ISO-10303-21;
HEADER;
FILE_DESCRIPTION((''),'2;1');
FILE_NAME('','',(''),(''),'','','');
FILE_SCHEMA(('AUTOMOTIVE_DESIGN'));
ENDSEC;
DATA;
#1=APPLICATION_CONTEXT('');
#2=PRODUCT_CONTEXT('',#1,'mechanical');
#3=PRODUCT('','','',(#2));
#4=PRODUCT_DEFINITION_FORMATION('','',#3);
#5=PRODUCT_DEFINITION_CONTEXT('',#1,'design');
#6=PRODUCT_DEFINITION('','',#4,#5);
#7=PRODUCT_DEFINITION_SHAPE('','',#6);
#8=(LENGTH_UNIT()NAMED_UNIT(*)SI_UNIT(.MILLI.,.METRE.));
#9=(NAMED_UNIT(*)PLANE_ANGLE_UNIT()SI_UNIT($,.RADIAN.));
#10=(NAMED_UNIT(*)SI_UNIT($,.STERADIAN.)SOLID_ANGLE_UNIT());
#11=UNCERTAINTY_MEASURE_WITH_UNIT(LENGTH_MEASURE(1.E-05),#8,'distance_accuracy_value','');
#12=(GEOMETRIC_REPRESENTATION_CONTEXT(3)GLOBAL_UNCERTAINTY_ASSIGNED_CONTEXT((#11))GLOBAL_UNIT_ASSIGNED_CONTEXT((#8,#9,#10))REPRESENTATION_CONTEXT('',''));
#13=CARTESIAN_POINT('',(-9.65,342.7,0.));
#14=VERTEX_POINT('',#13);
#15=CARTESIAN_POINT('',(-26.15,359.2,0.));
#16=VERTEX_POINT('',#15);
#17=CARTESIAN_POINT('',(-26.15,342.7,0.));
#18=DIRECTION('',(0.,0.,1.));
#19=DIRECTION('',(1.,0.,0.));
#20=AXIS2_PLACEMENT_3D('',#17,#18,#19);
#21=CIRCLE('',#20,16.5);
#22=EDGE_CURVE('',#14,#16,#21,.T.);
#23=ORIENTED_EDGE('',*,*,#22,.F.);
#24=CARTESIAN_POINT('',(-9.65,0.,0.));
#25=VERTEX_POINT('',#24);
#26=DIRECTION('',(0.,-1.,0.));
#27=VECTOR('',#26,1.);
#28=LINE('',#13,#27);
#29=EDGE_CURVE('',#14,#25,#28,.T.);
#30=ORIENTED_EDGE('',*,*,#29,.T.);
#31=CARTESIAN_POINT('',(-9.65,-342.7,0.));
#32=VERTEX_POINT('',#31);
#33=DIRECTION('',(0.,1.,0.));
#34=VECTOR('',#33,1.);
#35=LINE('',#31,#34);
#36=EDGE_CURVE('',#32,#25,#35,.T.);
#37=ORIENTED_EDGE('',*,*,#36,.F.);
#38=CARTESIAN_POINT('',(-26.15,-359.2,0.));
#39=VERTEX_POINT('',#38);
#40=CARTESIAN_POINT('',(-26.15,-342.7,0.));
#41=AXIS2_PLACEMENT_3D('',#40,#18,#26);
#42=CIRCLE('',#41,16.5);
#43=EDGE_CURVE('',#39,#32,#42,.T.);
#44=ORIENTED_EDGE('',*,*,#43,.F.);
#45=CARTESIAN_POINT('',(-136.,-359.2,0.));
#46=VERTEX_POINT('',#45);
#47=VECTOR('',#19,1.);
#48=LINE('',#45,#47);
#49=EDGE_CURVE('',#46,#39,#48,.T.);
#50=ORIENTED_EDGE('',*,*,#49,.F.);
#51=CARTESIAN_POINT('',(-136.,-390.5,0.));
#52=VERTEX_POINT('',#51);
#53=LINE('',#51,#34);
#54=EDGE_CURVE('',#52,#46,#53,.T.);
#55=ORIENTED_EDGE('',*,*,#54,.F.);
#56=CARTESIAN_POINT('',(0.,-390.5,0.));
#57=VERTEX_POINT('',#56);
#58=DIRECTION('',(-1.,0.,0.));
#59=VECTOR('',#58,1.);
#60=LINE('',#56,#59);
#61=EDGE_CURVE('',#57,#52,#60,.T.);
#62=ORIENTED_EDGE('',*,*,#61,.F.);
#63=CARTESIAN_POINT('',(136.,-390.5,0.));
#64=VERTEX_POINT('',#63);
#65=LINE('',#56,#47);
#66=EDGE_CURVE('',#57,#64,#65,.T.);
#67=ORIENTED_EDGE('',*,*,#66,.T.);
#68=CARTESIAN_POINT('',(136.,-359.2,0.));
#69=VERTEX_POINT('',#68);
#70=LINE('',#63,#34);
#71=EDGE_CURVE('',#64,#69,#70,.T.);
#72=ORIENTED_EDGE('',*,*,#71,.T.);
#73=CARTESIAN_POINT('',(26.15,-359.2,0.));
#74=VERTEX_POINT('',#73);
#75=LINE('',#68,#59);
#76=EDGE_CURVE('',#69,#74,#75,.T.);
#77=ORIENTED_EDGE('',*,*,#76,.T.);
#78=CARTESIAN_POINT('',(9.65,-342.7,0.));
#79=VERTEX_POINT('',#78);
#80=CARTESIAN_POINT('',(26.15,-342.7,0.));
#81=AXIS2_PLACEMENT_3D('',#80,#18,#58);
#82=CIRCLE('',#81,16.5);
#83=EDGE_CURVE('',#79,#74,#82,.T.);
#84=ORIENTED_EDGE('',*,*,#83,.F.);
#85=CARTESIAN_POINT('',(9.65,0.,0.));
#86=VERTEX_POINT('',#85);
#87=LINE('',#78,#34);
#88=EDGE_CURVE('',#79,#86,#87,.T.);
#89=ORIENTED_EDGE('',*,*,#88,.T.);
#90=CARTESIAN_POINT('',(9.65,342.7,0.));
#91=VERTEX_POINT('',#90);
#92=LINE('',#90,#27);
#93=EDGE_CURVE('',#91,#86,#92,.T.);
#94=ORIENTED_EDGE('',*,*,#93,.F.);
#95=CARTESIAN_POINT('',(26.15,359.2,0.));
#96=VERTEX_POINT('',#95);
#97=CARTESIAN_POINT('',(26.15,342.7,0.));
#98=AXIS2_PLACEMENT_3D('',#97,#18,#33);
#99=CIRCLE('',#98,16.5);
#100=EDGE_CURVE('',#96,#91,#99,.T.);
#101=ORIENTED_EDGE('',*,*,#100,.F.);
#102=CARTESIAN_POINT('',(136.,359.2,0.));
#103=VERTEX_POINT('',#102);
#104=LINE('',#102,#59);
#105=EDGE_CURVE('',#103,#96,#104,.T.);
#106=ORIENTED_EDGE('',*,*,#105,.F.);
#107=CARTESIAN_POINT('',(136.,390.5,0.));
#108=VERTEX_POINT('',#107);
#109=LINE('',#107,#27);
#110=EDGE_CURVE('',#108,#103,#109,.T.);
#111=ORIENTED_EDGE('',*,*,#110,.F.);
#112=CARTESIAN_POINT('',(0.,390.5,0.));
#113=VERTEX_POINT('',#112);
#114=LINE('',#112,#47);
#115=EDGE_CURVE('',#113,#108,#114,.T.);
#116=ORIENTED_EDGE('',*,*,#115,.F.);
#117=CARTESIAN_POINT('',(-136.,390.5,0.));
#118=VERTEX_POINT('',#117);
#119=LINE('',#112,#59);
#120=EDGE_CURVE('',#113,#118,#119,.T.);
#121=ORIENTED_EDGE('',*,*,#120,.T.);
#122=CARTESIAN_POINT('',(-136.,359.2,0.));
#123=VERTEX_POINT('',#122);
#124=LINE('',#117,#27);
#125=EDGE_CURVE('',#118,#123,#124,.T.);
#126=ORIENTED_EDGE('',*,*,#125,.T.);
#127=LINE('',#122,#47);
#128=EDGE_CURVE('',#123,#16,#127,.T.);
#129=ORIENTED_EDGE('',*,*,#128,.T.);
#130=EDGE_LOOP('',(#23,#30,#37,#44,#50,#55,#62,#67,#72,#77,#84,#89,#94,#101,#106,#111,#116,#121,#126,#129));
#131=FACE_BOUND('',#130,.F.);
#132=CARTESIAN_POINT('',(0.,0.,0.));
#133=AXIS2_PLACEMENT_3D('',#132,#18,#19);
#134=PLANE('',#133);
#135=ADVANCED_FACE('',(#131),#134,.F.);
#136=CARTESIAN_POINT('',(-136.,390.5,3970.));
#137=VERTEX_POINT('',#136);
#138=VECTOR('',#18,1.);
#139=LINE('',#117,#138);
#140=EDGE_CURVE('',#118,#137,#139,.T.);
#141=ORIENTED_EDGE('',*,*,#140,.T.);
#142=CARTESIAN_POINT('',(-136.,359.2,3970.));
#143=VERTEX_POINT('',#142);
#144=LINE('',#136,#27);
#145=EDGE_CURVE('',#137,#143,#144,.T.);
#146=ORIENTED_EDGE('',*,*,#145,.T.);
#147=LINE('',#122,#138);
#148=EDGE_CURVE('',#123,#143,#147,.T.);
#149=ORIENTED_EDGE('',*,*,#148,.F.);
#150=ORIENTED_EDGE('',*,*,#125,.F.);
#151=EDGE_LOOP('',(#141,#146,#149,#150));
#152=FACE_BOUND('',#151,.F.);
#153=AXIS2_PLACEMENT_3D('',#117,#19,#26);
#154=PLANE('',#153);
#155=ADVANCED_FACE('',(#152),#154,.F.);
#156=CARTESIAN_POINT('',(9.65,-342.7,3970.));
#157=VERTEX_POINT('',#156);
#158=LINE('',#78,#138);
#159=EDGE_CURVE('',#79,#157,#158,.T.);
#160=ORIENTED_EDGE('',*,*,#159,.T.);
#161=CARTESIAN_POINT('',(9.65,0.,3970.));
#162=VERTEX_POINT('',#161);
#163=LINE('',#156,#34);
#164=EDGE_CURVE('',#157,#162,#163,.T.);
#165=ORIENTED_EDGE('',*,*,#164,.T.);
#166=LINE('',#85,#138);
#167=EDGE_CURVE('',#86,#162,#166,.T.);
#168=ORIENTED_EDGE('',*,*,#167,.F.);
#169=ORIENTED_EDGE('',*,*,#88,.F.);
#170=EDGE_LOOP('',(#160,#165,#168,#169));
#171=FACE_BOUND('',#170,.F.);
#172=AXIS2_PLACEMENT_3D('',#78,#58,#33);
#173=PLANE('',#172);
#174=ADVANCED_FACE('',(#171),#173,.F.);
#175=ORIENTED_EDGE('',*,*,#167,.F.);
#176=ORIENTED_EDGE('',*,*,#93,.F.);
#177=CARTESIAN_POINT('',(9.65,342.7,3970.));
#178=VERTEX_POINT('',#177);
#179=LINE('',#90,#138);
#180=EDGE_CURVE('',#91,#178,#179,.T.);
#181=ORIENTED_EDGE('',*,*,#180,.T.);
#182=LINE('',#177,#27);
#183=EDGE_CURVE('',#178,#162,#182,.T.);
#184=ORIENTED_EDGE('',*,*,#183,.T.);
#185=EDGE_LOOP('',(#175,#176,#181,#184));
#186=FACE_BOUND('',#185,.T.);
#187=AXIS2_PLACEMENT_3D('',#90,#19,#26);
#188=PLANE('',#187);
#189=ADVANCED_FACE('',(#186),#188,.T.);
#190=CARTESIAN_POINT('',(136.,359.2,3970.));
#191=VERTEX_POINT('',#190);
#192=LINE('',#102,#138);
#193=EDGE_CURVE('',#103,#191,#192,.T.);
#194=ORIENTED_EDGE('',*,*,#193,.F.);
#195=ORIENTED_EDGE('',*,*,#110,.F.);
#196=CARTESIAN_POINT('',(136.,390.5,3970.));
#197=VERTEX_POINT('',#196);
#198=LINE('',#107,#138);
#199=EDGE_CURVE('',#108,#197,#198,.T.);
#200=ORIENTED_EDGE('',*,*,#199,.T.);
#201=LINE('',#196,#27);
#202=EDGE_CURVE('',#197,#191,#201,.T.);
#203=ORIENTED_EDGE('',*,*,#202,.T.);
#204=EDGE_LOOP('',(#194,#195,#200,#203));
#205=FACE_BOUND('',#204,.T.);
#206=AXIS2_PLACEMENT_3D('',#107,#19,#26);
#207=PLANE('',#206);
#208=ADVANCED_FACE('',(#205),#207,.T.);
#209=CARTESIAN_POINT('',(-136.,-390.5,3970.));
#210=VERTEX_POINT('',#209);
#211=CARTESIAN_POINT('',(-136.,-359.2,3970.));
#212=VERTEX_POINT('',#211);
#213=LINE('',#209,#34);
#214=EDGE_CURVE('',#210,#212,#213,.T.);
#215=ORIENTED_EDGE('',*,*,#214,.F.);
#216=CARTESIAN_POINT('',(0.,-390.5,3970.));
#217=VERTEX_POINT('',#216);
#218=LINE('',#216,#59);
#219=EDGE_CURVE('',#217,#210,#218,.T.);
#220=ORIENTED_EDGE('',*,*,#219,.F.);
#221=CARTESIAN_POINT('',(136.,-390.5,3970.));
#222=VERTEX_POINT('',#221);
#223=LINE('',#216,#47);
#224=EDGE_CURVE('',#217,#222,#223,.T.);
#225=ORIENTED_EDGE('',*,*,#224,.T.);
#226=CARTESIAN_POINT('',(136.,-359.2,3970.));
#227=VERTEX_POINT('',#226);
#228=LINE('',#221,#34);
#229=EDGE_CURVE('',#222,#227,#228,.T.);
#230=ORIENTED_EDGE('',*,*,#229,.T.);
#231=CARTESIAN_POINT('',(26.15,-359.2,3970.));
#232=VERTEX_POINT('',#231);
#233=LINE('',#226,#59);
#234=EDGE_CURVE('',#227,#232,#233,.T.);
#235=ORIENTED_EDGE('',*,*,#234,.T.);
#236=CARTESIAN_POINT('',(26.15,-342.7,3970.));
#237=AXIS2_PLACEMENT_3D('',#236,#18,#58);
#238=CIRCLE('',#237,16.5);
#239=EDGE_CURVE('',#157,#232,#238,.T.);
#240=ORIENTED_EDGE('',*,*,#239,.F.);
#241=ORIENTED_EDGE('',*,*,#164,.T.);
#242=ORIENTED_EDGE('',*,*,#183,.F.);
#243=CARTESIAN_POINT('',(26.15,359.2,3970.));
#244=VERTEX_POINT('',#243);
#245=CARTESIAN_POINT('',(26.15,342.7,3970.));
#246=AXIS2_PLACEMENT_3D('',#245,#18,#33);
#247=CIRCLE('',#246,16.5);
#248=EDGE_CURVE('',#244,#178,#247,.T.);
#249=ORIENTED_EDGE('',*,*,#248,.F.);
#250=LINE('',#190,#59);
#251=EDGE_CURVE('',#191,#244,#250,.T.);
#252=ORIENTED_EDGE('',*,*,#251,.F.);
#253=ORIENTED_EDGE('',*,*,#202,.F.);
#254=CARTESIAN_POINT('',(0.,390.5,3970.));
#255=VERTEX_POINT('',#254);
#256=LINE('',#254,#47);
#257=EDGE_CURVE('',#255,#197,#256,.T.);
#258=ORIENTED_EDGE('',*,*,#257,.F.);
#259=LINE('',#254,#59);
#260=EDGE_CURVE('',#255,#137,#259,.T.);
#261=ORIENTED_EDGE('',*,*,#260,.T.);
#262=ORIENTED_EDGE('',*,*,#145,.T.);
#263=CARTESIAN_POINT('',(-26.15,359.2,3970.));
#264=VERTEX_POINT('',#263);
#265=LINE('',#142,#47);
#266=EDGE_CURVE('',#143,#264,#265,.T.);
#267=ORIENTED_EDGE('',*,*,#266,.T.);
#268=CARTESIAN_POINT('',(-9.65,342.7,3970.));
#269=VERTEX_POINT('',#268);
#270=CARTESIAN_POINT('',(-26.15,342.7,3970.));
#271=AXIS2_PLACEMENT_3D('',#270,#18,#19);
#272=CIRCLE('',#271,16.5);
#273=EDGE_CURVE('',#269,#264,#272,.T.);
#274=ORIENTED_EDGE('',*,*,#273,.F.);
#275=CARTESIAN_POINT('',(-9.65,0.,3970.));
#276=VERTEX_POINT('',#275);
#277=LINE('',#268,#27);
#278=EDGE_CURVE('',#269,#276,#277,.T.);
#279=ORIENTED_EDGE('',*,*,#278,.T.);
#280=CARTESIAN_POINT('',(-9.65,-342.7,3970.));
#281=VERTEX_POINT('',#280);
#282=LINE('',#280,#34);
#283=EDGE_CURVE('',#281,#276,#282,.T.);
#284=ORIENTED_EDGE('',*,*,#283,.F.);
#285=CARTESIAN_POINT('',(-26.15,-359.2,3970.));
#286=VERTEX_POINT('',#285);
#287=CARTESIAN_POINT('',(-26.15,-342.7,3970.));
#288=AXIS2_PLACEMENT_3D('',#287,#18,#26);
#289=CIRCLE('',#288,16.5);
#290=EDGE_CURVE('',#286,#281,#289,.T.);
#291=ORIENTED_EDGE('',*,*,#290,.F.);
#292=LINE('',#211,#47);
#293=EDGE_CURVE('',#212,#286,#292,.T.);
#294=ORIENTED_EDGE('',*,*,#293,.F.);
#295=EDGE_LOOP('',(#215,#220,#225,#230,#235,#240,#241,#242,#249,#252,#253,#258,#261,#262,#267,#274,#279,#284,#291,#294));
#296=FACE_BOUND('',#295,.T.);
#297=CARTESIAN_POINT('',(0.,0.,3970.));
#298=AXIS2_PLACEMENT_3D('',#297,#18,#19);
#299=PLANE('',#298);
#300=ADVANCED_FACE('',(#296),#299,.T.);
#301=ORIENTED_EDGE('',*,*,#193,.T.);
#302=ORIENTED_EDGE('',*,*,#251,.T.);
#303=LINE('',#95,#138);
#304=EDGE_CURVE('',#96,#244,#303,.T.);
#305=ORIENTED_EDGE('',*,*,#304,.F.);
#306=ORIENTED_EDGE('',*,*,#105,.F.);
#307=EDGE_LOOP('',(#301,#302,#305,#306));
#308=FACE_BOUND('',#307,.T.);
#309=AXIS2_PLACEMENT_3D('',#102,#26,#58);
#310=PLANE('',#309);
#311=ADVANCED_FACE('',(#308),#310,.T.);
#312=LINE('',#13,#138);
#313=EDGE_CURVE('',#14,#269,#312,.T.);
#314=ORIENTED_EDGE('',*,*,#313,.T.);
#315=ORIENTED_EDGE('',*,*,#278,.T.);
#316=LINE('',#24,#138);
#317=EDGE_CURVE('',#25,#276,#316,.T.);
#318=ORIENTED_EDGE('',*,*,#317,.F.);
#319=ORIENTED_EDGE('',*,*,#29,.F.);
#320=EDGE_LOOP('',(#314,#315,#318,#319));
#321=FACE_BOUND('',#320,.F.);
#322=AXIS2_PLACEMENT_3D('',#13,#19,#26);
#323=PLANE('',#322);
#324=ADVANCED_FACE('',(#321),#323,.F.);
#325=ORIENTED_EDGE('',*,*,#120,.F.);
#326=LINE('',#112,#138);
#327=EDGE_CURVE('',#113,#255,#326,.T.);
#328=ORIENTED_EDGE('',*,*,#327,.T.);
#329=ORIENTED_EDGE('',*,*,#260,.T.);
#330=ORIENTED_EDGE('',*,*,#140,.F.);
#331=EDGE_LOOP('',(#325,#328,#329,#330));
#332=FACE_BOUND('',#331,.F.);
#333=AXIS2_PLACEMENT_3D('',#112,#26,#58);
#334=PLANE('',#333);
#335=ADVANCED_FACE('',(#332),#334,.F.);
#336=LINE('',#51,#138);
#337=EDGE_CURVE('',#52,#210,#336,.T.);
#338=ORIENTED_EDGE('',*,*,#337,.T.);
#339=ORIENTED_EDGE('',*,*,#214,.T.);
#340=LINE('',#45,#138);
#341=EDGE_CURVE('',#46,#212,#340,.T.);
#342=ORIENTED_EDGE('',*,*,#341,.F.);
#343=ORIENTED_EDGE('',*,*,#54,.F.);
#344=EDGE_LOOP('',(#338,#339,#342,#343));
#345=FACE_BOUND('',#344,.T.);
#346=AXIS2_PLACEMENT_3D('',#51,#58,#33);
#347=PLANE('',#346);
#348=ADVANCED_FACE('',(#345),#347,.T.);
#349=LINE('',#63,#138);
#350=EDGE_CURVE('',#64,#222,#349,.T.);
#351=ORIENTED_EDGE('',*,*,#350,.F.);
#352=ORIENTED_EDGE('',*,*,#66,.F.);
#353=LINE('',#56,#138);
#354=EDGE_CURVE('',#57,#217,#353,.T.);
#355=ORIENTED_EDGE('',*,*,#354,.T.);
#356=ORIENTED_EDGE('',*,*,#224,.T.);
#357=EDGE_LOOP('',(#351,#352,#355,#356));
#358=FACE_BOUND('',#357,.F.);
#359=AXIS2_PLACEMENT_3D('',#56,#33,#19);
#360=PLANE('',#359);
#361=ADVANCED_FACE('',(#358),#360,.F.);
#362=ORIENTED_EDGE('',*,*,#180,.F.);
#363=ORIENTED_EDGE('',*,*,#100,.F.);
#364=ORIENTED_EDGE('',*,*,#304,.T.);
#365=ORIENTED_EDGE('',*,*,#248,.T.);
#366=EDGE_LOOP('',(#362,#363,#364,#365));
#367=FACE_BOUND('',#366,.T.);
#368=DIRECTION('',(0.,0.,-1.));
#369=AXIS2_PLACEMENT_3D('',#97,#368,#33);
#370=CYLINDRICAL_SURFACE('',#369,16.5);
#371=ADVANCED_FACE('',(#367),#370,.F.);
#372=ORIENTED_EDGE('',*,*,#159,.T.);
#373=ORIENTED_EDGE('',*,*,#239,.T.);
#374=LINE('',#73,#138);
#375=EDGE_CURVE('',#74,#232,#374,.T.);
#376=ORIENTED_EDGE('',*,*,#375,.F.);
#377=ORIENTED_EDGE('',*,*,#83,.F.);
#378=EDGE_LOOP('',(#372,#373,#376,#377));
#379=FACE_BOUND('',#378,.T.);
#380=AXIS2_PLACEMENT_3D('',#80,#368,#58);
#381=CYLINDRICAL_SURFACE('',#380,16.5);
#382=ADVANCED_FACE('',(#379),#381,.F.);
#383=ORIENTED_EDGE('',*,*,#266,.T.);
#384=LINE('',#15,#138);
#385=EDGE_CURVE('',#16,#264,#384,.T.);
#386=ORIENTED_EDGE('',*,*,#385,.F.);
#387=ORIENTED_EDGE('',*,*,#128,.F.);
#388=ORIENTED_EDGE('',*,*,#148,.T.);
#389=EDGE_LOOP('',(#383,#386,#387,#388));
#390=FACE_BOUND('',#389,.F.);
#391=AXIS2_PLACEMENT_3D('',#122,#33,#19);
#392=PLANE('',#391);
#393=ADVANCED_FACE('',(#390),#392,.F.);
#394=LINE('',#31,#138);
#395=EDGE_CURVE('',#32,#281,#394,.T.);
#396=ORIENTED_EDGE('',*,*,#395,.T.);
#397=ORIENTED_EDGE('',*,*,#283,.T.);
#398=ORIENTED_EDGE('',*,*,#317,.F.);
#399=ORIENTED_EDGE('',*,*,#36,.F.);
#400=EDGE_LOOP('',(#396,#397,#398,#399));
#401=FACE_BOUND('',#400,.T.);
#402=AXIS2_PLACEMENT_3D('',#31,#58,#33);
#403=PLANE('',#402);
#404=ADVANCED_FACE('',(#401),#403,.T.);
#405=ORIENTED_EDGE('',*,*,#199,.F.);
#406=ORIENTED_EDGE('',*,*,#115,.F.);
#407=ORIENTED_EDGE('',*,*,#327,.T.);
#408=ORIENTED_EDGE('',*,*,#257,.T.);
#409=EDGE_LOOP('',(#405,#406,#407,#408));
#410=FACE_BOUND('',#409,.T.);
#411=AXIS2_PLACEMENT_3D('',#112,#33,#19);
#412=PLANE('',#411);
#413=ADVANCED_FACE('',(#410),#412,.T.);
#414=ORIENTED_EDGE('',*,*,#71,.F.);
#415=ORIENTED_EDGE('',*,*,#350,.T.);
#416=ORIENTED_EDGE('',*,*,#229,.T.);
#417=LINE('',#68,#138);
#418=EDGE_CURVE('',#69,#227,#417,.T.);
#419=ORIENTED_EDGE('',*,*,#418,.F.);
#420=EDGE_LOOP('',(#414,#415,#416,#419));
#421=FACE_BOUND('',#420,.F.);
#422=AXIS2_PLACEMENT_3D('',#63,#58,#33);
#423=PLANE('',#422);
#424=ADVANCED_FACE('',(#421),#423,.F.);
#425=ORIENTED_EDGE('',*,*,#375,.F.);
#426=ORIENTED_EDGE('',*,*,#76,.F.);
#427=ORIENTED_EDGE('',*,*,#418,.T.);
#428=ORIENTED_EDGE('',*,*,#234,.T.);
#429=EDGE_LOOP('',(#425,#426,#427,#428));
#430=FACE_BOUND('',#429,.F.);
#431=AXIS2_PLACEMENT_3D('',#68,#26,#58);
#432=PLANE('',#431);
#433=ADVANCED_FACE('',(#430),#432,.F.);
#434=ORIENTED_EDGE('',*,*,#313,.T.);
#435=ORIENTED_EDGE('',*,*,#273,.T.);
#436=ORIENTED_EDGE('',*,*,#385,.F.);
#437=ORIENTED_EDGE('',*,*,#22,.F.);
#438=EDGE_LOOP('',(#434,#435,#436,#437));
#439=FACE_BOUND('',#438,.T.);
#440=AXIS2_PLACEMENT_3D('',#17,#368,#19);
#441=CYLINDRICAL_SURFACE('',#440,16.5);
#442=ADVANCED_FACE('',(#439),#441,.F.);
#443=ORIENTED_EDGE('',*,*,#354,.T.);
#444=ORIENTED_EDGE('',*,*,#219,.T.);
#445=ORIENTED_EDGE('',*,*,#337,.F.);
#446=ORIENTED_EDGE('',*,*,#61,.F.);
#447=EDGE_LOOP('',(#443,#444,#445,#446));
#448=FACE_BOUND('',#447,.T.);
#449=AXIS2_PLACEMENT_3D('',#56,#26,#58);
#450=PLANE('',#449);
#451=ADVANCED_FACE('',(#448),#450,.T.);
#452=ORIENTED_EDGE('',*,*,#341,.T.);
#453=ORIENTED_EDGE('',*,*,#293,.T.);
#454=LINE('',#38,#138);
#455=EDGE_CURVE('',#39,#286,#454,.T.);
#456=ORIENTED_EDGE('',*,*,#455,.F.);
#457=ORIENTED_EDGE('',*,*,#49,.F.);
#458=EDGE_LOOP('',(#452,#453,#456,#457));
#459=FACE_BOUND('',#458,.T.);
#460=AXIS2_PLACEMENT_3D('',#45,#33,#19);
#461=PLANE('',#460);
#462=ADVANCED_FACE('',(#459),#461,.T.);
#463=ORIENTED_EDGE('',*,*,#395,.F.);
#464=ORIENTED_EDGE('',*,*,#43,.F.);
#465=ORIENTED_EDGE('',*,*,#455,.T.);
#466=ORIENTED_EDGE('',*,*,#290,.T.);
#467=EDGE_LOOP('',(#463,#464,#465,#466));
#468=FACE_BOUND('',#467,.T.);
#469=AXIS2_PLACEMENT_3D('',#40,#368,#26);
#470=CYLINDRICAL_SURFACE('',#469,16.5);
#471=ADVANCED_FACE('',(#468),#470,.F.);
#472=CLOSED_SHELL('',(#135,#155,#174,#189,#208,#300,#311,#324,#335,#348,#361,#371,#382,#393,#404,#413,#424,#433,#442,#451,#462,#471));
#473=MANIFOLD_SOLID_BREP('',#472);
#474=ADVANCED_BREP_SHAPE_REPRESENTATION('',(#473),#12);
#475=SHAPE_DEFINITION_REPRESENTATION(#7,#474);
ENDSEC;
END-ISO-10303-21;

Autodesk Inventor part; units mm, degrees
ref_plane "YZ Plane" through (0, 0, 0) normal (1, 0, 0) x (0, 1, 0)
ref_plane "Start plane" through (0, 0, 0) normal (0, 0, 1) x (1, 0, 0)
ref_plane "End plane" through (0, 0, 3970) normal (0, 0, 1) x (1, 0, 0)
sketch "Sketch" plane through (0, 0, 0) normal (0, 0, 1) x (1, 0, 0)
  line L0 (-136, -390.5) -> (-136, -359.2)
  line L1 (-136, -359.2) -> (-26.15, -359.2)
  line L2 (-9.65, -342.7) -> (-9.65, 0)
  line L3 (-9.65, 0) -> (0, 0) construction
  line L4 (0, 0) -> (0, -390.5) construction
  line L5 (0, -390.5) -> (-136, -390.5)
  line L6 (-60, 0) -> (80, 0) construction
  line L7 (0, -60) -> (0, 80) construction
  line L8 (136, -390.5) -> (136, -359.2)
  line L9 (136, -359.2) -> (26.15, -359.2)
  line L10 (9.65, -342.7) -> (9.65, 0)
  line L11 (9.65, 0) -> (0, 0) construction
  line L12 (0, -390.5) -> (136, -390.5)
  line L13 (-136, 390.5) -> (-136, 359.2)
  line L14 (-136, 359.2) -> (-26.15, 359.2)
  line L15 (-9.65, 342.7) -> (-9.65, 0)
  line L16 (0, 390.5) -> (-136, 390.5)
  line L17 (136, 390.5) -> (136, 359.2)
  line L18 (136, 359.2) -> (26.15, 359.2)
  line L19 (0, 390.5) -> (136, 390.5)
  line L20 (9.65, 342.7) -> (9.65, 0)
  arc A0 (-9.65, 342.7) -> (-26.15, 359.2) centre (-26.15, 342.7) ccw
  arc A1 (26.15, 359.2) -> (9.65, 342.7) centre (26.15, 342.7) ccw
  arc A2 (9.65, -342.7) -> (26.15, -359.2) centre (26.15, -342.7) ccw
  arc A3 (-26.15, -359.2) -> (-9.65, -342.7) centre (-26.15, -342.7) ccw
  line L21 (0, 108) -> (0, -88) construction
  line L22 (-88, 0) -> (108, 0) construction
  point P0 (-9.65, -359.2)
  point P1 (9.65, -359.2)
  point P2 (-9.65, 359.2)
  point P3 (9.65, 359.2)
  dimension "d1" = 390.5
  dimension "d2" = 31.3
  dimension "d3" = 136
  dimension "d4" = 9.65
  dimension "d10" = 16.5
extrude "Body" add sketch "Sketch" along normal up to surface (3970 mm away) from surface at 0
sketch "Sketch4" plane through (0, 0, 0) normal (0, 0, 1) x (1, 0, 0)
  line L0 (0, 0) -> (10, 0)
ref_plane "Work Plane3" through (0, 0, 0) normal (0, -1, 0) x (1, 0, 0)
sketch "Sketch5" plane through (0, 0, 0) normal (0, -1, 0) x (1, 0, 0)
  line L0 (-2, 0) -> (12, 0) projected
  line L1 (-2, 3970) -> (12, 3970) projected
  dimension "d14" = 3970
equation "\"d1\" = 0.5 * G_H"
equation "\"d2\" = G_T1"
equation "\"d3\" = 0.5 * G_W"
equation "\"d4\" = 0.5 * G_T"
equation "\"d10\" = G_IR"
equation "\"d5\" = G_L"
equation "\"G_W\" = 272"
equation "\"G_H\" = 781"
equation "\"G_T\" = 19.3"
equation "\"G_T1\" = 31.3"
equation "\"G_IR\" = 16.5"
equation "\"G_L\" = d14"
equation "\"G_OFFSET_START\" = 0"
equation "\"G_OFFSET_END\" = 0"
properties part number "AS 3679-1990 - 760 UB - 244 - 3970" material "Steel, Mild"
